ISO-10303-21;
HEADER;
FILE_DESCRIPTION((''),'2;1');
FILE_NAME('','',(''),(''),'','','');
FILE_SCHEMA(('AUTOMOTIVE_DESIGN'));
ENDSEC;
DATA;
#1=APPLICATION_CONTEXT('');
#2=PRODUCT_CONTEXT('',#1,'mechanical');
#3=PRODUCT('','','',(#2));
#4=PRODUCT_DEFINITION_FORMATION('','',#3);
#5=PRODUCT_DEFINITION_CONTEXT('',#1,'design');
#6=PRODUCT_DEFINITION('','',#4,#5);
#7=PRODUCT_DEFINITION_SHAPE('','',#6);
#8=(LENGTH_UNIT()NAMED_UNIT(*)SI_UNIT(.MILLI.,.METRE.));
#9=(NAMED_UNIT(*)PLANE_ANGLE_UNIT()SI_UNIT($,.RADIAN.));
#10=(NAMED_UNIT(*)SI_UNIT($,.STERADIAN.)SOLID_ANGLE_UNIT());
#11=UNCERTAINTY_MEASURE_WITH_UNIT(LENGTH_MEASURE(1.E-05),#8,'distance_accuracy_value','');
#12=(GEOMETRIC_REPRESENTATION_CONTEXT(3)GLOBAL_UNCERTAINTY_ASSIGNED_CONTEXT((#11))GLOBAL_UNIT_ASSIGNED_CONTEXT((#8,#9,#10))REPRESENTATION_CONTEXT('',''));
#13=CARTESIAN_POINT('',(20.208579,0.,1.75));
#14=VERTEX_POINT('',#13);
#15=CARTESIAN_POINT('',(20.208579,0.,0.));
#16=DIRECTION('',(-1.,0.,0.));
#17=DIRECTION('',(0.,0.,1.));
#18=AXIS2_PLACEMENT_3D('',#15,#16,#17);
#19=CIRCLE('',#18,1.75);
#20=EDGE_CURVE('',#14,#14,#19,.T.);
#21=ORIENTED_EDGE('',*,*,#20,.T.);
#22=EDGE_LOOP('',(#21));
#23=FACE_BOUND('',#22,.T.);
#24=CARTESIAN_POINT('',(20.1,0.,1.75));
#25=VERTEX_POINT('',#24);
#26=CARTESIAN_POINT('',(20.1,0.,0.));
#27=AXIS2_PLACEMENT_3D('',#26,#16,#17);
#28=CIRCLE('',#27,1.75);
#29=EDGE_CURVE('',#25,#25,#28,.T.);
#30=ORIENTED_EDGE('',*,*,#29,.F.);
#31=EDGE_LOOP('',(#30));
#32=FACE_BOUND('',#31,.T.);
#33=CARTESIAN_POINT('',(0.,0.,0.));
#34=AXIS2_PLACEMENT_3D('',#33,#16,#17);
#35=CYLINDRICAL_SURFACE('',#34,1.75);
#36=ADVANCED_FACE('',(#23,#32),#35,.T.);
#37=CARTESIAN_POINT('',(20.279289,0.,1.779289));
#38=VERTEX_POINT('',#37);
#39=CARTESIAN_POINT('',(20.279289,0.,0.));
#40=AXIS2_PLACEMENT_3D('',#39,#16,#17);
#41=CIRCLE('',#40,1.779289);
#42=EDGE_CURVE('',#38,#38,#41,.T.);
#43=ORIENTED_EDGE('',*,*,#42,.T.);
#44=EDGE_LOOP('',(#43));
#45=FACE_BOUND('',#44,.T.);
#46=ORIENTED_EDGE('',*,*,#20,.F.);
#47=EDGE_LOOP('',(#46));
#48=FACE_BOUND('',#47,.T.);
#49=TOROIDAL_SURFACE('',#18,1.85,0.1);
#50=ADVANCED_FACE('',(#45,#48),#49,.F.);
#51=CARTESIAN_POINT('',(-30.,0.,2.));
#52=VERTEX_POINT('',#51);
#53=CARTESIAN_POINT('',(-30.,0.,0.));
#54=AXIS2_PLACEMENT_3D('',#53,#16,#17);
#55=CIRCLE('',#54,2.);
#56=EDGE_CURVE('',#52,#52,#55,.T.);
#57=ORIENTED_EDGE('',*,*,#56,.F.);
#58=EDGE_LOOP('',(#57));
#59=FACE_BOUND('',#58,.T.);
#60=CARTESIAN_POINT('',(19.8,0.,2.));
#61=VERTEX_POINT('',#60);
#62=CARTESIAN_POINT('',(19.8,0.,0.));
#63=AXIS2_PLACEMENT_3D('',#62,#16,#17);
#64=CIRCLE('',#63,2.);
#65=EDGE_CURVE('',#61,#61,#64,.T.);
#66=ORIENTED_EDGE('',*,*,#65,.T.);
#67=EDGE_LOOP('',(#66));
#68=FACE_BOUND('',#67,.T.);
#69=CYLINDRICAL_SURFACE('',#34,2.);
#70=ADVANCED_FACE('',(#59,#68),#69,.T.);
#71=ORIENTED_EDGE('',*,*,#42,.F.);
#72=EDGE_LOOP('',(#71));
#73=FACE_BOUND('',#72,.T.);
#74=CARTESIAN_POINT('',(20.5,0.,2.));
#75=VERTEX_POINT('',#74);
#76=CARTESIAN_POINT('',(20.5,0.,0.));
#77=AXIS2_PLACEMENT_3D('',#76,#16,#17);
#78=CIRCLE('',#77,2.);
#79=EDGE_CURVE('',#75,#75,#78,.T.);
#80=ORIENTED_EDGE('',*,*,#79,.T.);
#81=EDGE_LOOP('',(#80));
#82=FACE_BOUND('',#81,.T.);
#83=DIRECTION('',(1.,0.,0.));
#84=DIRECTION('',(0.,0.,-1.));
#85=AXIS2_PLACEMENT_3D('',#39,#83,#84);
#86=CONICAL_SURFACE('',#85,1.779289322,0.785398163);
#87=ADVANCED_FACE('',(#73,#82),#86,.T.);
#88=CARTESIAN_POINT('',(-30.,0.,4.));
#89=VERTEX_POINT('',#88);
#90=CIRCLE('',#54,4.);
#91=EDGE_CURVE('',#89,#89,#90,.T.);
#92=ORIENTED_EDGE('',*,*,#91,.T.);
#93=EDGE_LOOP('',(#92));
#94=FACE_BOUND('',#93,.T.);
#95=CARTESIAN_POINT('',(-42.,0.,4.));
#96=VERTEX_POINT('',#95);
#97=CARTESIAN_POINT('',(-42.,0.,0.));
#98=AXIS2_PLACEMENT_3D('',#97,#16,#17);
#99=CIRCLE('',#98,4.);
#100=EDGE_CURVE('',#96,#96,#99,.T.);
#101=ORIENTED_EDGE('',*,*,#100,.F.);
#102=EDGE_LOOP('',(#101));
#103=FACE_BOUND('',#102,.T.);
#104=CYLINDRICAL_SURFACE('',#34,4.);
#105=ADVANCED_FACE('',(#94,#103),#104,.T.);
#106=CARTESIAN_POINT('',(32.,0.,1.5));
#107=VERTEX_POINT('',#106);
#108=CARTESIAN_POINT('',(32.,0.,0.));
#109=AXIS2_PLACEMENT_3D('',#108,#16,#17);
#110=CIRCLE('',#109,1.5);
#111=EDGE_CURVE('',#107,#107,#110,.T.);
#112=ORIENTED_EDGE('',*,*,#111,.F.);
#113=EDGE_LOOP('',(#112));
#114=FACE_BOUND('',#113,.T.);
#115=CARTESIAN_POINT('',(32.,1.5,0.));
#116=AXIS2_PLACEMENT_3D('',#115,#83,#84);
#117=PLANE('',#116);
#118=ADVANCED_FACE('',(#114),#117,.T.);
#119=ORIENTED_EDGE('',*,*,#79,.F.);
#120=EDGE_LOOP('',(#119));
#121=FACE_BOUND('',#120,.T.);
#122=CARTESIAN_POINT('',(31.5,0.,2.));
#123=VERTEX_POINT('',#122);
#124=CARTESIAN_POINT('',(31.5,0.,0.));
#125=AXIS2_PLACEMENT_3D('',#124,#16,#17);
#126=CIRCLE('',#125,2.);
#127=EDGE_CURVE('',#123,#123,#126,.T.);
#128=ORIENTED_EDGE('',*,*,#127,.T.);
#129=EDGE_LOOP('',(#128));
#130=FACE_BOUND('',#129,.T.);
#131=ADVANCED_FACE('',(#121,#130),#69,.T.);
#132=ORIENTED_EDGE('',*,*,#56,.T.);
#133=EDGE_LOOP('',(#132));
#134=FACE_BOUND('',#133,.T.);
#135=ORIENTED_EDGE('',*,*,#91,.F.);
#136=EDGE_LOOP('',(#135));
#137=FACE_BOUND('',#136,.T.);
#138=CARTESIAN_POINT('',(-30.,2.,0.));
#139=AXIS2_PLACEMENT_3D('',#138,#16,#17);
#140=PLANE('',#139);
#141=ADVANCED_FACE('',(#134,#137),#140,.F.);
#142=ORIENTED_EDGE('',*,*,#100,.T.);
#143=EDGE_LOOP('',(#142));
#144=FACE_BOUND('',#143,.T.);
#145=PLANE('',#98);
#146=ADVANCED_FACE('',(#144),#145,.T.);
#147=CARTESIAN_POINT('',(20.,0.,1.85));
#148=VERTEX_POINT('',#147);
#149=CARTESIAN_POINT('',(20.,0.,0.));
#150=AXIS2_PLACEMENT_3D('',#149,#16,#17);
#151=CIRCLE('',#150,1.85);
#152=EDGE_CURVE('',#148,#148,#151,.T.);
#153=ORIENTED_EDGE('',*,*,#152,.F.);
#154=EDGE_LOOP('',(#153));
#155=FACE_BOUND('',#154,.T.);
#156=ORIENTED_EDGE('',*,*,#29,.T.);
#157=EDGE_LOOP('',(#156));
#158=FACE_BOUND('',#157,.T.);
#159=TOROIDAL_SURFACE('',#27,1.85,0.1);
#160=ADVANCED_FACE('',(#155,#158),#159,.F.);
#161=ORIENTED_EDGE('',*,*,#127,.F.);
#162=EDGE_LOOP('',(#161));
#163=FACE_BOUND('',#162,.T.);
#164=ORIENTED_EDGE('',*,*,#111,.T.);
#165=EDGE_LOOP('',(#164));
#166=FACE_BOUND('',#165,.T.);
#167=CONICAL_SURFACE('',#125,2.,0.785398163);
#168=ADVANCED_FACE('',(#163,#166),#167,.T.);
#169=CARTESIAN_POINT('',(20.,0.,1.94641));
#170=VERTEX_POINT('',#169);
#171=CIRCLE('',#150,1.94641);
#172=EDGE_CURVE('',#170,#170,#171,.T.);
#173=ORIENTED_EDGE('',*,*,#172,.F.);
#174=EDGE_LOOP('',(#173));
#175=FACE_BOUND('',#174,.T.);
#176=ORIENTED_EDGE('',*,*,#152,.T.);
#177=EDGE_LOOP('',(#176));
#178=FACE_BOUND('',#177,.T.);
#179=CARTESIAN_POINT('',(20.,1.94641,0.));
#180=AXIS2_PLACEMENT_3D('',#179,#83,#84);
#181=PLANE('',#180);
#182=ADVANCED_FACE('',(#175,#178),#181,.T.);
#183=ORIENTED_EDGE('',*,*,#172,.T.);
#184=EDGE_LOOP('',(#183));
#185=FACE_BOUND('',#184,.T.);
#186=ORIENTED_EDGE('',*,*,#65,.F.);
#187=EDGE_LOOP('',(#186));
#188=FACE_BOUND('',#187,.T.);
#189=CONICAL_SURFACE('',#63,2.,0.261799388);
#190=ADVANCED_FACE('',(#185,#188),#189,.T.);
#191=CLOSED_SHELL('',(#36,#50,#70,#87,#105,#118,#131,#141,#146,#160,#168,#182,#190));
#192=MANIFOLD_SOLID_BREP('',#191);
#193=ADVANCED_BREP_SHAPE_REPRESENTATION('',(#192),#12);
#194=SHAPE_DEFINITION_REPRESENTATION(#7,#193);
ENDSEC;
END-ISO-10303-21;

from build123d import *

# Parameters (mm, degrees)
SKETCH3_R = 4
P_L_DEPTH = 10


with BuildPart() as part:
    # Sketch1 → Revolve1 (revolve)
    with BuildSketch(Plane.XY):
        with BuildLine():
            Line((-30, 2), (19.8, 2))
            Line((19.8, 2), (20, 1.946410162))
            Line((20, 1.946410162), (20, 1.85))
            ThreePointArc((20, 1.85), (20.029289322, 1.779289322), (20.1, 1.75))
            Line((20.1, 1.75), (20.208578644, 1.75))
            ThreePointArc((20.208578644, 1.75), (20.246846987, 1.757612047), (20.279289322, 1.779289322))
            Line((20.279289322, 1.779289322), (20.5, 2))
            Line((20.5, 2), (31.5, 2))
            Line((31.5, 2), (32, 1.5))
            Line((32, 1.5), (32, 0))
            Line((32, 0), (-32, 0))
            Line((-32, 0), (-32, 4))
            Line((-32, 4), (-30, 4))
            Line((-30, 4), (-30, 2))
        make_face()
    revolve(axis=Axis((0, 0, 0), (1, 0, 0)))

    # Sketch3 → P-L (add)
    with BuildSketch(Plane.ZY.offset(32)):
        Circle(SKETCH3_R)
    extrude(amount=P_L_DEPTH)


solid = part.part
